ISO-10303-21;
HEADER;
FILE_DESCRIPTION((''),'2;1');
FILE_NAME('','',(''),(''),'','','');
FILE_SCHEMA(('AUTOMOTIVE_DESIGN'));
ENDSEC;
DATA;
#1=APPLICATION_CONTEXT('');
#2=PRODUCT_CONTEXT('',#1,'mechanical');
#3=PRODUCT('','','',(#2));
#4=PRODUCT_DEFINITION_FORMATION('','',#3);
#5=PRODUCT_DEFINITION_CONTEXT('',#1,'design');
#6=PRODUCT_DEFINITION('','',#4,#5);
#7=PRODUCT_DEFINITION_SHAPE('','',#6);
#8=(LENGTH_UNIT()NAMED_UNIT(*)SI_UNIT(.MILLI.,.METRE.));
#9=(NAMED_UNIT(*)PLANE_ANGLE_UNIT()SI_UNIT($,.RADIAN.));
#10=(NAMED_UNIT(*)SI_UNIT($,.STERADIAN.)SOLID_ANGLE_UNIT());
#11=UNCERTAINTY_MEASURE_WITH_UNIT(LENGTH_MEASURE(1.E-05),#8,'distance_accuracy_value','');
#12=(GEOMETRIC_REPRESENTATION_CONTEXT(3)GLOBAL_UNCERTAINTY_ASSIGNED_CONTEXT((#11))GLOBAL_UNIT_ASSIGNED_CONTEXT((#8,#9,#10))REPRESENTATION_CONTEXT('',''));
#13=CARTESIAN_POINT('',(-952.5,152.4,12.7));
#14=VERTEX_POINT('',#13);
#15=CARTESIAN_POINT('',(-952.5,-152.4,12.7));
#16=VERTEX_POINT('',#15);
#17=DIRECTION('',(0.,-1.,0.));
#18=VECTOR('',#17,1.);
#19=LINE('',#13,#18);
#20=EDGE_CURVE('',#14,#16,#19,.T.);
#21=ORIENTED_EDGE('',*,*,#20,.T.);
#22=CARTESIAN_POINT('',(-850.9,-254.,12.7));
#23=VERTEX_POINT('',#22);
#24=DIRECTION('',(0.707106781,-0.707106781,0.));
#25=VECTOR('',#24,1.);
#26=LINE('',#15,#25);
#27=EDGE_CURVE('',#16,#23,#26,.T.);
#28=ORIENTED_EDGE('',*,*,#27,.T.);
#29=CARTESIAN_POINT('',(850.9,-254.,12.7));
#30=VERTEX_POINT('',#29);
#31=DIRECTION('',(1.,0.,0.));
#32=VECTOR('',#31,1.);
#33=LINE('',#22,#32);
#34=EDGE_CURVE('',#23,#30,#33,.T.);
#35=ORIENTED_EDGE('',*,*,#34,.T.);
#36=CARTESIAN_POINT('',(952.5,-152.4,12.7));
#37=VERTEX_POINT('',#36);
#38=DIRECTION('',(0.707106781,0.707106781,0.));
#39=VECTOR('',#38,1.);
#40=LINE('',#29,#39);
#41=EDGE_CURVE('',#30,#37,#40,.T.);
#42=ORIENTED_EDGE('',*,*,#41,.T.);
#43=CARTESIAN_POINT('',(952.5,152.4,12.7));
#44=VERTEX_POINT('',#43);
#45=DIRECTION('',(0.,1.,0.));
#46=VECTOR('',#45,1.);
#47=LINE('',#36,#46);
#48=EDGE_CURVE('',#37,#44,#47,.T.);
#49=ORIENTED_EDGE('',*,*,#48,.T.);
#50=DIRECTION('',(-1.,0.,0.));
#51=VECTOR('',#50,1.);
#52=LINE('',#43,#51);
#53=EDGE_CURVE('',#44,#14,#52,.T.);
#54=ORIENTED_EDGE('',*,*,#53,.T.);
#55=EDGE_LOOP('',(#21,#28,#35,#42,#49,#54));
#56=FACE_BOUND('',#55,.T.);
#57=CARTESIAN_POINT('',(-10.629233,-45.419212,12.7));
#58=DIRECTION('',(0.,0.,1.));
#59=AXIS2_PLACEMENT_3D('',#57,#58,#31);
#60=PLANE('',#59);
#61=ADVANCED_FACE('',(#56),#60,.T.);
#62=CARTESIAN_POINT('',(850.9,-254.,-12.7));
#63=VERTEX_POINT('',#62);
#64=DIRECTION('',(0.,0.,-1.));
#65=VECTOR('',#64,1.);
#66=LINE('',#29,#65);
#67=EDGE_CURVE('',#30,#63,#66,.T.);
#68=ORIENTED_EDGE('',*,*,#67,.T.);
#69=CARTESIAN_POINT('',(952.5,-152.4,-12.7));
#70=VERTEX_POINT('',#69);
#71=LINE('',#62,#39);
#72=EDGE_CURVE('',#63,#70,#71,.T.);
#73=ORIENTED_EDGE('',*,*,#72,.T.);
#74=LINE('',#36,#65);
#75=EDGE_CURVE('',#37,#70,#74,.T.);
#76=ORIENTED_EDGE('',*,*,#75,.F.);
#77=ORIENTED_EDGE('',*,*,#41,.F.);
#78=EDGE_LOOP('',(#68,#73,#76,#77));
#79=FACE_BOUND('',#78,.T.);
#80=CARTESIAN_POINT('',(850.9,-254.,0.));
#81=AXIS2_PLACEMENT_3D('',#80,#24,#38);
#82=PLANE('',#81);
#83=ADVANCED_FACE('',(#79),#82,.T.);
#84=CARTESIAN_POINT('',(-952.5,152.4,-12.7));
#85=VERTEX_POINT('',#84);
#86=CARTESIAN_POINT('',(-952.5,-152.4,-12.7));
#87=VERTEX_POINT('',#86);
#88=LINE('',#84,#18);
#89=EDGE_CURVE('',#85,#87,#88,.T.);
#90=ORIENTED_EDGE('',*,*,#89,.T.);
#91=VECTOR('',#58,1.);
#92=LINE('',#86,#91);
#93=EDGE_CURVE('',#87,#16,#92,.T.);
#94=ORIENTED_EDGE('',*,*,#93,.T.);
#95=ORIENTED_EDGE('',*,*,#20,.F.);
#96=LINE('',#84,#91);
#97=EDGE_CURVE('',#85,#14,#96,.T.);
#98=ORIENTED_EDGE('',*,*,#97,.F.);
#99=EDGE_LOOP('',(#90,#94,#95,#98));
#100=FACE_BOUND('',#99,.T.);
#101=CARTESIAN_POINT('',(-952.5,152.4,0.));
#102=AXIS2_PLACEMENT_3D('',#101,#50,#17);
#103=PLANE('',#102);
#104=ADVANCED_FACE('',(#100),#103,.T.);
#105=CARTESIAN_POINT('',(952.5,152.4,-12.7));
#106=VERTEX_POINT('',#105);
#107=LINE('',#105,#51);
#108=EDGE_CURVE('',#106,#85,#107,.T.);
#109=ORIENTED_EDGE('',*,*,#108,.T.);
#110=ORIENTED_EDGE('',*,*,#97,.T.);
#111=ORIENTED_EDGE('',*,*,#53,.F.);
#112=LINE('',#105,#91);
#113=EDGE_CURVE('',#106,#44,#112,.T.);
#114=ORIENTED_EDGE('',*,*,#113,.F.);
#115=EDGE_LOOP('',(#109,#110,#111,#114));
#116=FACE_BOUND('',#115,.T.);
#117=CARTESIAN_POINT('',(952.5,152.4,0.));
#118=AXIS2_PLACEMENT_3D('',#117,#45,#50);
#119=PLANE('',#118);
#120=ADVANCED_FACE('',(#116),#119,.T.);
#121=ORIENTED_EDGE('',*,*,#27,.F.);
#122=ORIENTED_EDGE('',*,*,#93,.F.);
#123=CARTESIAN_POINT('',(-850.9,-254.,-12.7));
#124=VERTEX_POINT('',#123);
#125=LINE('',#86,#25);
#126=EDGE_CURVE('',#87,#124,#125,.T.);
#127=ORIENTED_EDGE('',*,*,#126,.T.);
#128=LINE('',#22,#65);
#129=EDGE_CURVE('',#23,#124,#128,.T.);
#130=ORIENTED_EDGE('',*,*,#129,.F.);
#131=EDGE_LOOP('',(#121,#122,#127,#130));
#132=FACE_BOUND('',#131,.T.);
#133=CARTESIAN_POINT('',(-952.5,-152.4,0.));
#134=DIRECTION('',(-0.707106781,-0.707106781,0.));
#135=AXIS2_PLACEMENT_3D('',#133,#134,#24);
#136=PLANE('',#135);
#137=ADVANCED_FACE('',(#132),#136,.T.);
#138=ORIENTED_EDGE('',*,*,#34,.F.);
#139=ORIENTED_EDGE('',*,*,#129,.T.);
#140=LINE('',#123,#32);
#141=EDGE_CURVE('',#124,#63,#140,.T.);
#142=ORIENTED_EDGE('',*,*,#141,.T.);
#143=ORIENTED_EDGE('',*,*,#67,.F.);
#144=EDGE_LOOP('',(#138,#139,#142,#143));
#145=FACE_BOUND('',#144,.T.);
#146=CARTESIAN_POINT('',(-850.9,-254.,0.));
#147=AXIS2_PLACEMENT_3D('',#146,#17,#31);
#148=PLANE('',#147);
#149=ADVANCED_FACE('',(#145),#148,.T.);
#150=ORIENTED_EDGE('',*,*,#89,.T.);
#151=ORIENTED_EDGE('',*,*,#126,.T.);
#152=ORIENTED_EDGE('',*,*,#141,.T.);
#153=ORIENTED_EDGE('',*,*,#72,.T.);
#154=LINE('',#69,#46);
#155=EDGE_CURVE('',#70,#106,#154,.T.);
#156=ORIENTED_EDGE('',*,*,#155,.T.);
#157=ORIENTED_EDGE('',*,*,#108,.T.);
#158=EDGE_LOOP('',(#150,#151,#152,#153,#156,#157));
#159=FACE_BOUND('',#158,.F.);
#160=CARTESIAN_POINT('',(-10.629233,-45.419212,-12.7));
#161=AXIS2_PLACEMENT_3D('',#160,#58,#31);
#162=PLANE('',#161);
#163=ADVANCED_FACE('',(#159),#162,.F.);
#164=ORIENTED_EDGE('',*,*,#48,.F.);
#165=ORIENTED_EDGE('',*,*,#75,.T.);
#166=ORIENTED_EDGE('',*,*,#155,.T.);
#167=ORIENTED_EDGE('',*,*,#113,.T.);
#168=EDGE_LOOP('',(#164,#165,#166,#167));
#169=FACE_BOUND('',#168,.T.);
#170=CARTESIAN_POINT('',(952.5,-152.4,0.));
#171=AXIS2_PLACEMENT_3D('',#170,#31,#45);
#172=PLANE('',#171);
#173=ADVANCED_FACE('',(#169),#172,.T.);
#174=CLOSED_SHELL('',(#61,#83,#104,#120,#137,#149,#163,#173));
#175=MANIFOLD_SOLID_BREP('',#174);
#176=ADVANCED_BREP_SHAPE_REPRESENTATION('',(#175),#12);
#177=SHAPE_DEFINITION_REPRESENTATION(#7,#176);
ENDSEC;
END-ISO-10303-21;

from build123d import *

# Parameters (mm, degrees)
F1_DEPTH = 12.7


with BuildPart() as f1:
    # F0 (on Top) → F1 (new body, symmetric)
    with BuildSketch(Plane.XY):
        Polygon((952.5, -152.4), (952.5, 152.4), (-952.5, 152.4), (-952.5, -152.4), (-850.9, -152.4), (-850.9, -254), (850.9, -254), align=None)
        Polygon((-850.9, -152.4), (-952.5, -152.4), (-850.9, -254), align=None)
    extrude(amount=F1_DEPTH, both=True)


solid = f1.part
